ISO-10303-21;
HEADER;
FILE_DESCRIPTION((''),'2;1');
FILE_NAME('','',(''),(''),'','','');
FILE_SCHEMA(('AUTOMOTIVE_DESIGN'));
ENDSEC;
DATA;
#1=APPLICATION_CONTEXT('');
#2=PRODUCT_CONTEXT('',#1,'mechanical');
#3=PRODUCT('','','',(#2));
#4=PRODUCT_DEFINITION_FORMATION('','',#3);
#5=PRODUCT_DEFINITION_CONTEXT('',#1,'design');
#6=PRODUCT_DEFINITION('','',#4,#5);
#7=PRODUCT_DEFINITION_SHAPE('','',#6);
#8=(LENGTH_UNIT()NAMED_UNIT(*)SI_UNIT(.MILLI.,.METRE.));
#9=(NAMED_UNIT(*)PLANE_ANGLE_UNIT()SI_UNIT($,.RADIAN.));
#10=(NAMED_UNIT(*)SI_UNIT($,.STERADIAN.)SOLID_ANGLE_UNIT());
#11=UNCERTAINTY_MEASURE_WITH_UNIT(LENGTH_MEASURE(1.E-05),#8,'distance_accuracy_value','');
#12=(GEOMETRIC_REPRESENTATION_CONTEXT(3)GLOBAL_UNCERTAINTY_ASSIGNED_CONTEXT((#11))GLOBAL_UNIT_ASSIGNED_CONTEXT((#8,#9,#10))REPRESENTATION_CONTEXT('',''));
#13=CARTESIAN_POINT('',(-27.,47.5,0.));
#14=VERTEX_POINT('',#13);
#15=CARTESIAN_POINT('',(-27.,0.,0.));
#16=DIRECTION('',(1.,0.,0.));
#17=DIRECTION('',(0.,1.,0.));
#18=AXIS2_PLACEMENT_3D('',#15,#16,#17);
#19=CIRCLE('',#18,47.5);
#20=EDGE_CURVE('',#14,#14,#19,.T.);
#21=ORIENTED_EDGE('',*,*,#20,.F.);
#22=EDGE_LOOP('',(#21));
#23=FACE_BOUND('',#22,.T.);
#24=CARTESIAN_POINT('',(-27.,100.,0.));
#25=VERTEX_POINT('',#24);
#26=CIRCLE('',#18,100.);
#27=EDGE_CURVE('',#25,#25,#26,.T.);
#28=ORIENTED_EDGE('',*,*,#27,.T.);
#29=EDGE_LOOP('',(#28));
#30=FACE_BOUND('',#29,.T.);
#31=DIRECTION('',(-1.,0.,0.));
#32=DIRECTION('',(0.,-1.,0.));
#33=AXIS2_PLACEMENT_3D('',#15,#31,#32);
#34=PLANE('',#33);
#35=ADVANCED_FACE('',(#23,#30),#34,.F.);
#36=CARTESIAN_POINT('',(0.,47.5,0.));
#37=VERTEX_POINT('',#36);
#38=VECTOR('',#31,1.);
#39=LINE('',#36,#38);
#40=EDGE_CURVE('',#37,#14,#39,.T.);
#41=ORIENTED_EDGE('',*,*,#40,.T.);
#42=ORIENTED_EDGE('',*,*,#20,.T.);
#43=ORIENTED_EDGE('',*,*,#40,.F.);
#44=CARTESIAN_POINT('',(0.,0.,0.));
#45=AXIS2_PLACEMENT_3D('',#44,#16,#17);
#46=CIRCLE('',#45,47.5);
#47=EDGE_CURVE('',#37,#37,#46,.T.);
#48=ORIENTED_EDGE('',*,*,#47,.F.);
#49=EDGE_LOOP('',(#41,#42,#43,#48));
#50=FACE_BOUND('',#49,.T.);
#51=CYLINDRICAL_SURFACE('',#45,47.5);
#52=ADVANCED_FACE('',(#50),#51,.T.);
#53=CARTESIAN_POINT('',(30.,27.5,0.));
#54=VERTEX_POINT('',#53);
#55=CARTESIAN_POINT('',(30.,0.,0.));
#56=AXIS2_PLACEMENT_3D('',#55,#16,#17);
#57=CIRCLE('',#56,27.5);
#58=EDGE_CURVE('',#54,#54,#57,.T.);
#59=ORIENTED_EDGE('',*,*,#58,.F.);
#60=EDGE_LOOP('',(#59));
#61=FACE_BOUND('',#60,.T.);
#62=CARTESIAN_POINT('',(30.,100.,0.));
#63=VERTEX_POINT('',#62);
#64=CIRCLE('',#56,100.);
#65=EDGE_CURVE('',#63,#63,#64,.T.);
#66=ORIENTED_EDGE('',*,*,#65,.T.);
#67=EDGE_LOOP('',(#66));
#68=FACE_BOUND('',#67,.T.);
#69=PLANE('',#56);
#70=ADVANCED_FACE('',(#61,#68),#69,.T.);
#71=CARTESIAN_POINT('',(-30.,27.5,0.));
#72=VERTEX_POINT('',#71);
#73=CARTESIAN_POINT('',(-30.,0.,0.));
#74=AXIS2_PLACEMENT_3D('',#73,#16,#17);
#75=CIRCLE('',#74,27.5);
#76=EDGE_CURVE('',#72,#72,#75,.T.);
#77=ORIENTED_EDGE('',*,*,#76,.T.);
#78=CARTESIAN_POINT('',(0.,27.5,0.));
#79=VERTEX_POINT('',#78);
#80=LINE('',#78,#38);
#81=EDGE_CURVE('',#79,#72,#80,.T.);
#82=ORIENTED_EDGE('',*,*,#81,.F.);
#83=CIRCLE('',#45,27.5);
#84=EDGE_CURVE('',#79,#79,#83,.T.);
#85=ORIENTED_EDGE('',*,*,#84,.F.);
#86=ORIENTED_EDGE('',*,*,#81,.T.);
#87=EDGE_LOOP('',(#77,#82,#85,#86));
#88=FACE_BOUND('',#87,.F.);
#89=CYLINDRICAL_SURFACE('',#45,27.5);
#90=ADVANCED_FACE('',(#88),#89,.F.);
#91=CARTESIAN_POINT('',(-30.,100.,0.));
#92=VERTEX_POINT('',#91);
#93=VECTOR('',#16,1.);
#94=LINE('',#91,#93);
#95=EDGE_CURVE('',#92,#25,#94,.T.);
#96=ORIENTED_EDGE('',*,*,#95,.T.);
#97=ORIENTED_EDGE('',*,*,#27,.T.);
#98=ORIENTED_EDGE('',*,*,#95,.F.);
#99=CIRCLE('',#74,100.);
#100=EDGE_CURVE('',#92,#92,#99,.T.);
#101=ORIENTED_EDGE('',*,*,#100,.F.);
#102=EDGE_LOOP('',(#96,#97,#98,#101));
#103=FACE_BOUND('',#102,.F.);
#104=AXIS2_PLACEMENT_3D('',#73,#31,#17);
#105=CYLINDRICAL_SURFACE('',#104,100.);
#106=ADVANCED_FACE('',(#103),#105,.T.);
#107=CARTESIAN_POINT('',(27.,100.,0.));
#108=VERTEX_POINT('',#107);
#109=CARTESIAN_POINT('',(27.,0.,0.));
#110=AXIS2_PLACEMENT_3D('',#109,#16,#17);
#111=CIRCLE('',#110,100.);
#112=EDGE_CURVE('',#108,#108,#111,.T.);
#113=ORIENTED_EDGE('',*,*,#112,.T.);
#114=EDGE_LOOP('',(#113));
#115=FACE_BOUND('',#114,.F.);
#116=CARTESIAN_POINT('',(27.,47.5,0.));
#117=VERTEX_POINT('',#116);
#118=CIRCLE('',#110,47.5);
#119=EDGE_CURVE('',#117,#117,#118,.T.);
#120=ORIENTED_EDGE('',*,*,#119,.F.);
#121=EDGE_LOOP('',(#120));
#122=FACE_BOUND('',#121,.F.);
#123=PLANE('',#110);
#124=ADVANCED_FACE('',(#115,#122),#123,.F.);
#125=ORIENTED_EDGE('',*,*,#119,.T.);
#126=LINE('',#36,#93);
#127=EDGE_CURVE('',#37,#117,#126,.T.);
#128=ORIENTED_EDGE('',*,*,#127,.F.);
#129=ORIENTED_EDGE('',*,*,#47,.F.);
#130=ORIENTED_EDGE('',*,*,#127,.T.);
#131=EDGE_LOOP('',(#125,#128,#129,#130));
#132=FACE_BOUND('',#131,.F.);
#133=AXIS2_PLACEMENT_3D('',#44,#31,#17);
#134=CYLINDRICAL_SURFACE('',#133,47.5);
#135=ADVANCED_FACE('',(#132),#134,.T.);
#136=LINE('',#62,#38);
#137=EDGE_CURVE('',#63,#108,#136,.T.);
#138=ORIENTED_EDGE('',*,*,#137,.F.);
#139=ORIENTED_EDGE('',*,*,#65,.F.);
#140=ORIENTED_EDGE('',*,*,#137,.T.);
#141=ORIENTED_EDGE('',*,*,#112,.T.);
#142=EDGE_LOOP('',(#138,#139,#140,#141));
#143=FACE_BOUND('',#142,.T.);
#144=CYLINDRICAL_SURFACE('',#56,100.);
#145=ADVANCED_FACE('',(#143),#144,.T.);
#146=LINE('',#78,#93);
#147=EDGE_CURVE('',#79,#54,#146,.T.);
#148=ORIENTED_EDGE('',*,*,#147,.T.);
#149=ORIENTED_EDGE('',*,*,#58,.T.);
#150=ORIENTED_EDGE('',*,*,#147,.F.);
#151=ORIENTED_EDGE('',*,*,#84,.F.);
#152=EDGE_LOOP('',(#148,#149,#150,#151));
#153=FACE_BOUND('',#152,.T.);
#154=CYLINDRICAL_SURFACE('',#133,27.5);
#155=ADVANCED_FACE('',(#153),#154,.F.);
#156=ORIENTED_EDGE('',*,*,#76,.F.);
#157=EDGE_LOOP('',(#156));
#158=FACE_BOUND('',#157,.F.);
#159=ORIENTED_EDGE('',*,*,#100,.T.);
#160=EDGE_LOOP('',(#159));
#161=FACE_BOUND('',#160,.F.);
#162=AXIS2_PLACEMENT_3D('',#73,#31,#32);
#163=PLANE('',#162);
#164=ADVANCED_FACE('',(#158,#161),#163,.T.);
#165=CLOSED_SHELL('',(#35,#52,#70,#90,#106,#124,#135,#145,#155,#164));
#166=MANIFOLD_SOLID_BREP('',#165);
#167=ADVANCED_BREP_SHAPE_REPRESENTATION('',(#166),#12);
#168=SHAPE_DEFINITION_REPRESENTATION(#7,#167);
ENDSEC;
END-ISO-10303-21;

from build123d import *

# Parameters (mm, degrees)
F0_R     = 47.5
F0_R_2   = 27.5
F1_DEPTH = 30
F2_R     = 100
F2_R_2   = 47.5
F3_DEPTH = 3


with BuildPart() as f1:
    # F0 (on Right) → F1 (new body)
    with BuildSketch(Plane.YZ):
        Circle(F0_R)
        Circle(F0_R_2, mode=Mode.SUBTRACT)
    extrude(amount=F1_DEPTH)

    # F2 (on face) → F3 (join)
    with BuildSketch(Plane.YZ.offset(30)):
        Circle(F2_R)
        Circle(F2_R_2, mode=Mode.SUBTRACT)
    extrude(amount=-F3_DEPTH)

    # F4: F1 across face


with BuildPart() as f1_1:
    add(f1.part)
    add(f1.part.mirror(Plane(origin=(0, 0, 0), x_dir=(0, 1, 0), z_dir=(-1, 0, 0))))


solid = f1_1.part
